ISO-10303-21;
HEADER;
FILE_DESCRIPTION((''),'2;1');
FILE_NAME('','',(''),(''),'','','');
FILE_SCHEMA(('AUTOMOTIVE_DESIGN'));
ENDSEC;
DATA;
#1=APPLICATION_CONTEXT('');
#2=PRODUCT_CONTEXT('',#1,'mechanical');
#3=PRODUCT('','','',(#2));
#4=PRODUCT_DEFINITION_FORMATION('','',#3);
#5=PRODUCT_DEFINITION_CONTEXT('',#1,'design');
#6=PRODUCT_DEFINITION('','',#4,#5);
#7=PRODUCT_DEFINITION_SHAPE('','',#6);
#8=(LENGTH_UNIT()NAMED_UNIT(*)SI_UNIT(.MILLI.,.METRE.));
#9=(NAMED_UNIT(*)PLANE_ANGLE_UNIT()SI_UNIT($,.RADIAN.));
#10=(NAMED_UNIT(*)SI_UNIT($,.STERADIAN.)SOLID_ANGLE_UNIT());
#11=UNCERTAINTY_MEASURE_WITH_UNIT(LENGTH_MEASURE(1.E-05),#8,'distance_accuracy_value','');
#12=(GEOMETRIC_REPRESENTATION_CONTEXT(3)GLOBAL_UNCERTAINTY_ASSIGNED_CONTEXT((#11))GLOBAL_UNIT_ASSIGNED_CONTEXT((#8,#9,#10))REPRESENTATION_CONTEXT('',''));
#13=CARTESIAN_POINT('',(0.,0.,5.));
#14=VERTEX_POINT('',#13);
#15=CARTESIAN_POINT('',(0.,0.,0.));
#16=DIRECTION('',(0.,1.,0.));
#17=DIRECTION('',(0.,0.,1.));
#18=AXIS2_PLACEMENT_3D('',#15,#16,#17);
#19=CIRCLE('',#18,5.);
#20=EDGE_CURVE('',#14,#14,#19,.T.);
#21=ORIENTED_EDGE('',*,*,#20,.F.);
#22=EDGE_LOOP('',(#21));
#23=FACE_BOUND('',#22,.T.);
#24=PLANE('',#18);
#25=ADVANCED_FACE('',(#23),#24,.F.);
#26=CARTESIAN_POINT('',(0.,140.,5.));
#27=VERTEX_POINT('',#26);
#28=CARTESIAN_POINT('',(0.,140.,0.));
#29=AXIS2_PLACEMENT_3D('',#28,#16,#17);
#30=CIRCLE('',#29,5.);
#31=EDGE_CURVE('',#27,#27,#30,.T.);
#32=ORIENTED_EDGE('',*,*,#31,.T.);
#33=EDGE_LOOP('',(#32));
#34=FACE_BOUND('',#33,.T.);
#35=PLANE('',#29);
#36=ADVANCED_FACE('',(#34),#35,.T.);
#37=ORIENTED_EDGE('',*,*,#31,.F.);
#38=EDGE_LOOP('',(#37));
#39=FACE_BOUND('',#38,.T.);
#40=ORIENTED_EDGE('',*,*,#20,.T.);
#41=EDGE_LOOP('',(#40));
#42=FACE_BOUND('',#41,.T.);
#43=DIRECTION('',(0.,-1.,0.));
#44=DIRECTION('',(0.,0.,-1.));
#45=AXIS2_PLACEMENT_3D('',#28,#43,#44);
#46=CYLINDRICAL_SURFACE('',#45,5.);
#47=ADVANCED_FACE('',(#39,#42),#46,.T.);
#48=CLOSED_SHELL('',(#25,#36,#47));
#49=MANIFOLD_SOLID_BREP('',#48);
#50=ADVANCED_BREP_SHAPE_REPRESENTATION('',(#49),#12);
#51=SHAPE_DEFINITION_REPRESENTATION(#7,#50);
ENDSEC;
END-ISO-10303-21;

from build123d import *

# Parameters (mm, degrees)
ESQUISSE1_R        = 5
BOSS_EXTRU_1_DEPTH = 140


with BuildPart() as part:
    # Esquisse1 → Boss.-Extru.1 (new body)
    with BuildSketch(Plane(origin=(0, 0, 0), x_dir=(1, 0, 0), z_dir=(0, 1, 0))):
        Circle(ESQUISSE1_R)
    extrude(amount=BOSS_EXTRU_1_DEPTH)


solid = part.part
